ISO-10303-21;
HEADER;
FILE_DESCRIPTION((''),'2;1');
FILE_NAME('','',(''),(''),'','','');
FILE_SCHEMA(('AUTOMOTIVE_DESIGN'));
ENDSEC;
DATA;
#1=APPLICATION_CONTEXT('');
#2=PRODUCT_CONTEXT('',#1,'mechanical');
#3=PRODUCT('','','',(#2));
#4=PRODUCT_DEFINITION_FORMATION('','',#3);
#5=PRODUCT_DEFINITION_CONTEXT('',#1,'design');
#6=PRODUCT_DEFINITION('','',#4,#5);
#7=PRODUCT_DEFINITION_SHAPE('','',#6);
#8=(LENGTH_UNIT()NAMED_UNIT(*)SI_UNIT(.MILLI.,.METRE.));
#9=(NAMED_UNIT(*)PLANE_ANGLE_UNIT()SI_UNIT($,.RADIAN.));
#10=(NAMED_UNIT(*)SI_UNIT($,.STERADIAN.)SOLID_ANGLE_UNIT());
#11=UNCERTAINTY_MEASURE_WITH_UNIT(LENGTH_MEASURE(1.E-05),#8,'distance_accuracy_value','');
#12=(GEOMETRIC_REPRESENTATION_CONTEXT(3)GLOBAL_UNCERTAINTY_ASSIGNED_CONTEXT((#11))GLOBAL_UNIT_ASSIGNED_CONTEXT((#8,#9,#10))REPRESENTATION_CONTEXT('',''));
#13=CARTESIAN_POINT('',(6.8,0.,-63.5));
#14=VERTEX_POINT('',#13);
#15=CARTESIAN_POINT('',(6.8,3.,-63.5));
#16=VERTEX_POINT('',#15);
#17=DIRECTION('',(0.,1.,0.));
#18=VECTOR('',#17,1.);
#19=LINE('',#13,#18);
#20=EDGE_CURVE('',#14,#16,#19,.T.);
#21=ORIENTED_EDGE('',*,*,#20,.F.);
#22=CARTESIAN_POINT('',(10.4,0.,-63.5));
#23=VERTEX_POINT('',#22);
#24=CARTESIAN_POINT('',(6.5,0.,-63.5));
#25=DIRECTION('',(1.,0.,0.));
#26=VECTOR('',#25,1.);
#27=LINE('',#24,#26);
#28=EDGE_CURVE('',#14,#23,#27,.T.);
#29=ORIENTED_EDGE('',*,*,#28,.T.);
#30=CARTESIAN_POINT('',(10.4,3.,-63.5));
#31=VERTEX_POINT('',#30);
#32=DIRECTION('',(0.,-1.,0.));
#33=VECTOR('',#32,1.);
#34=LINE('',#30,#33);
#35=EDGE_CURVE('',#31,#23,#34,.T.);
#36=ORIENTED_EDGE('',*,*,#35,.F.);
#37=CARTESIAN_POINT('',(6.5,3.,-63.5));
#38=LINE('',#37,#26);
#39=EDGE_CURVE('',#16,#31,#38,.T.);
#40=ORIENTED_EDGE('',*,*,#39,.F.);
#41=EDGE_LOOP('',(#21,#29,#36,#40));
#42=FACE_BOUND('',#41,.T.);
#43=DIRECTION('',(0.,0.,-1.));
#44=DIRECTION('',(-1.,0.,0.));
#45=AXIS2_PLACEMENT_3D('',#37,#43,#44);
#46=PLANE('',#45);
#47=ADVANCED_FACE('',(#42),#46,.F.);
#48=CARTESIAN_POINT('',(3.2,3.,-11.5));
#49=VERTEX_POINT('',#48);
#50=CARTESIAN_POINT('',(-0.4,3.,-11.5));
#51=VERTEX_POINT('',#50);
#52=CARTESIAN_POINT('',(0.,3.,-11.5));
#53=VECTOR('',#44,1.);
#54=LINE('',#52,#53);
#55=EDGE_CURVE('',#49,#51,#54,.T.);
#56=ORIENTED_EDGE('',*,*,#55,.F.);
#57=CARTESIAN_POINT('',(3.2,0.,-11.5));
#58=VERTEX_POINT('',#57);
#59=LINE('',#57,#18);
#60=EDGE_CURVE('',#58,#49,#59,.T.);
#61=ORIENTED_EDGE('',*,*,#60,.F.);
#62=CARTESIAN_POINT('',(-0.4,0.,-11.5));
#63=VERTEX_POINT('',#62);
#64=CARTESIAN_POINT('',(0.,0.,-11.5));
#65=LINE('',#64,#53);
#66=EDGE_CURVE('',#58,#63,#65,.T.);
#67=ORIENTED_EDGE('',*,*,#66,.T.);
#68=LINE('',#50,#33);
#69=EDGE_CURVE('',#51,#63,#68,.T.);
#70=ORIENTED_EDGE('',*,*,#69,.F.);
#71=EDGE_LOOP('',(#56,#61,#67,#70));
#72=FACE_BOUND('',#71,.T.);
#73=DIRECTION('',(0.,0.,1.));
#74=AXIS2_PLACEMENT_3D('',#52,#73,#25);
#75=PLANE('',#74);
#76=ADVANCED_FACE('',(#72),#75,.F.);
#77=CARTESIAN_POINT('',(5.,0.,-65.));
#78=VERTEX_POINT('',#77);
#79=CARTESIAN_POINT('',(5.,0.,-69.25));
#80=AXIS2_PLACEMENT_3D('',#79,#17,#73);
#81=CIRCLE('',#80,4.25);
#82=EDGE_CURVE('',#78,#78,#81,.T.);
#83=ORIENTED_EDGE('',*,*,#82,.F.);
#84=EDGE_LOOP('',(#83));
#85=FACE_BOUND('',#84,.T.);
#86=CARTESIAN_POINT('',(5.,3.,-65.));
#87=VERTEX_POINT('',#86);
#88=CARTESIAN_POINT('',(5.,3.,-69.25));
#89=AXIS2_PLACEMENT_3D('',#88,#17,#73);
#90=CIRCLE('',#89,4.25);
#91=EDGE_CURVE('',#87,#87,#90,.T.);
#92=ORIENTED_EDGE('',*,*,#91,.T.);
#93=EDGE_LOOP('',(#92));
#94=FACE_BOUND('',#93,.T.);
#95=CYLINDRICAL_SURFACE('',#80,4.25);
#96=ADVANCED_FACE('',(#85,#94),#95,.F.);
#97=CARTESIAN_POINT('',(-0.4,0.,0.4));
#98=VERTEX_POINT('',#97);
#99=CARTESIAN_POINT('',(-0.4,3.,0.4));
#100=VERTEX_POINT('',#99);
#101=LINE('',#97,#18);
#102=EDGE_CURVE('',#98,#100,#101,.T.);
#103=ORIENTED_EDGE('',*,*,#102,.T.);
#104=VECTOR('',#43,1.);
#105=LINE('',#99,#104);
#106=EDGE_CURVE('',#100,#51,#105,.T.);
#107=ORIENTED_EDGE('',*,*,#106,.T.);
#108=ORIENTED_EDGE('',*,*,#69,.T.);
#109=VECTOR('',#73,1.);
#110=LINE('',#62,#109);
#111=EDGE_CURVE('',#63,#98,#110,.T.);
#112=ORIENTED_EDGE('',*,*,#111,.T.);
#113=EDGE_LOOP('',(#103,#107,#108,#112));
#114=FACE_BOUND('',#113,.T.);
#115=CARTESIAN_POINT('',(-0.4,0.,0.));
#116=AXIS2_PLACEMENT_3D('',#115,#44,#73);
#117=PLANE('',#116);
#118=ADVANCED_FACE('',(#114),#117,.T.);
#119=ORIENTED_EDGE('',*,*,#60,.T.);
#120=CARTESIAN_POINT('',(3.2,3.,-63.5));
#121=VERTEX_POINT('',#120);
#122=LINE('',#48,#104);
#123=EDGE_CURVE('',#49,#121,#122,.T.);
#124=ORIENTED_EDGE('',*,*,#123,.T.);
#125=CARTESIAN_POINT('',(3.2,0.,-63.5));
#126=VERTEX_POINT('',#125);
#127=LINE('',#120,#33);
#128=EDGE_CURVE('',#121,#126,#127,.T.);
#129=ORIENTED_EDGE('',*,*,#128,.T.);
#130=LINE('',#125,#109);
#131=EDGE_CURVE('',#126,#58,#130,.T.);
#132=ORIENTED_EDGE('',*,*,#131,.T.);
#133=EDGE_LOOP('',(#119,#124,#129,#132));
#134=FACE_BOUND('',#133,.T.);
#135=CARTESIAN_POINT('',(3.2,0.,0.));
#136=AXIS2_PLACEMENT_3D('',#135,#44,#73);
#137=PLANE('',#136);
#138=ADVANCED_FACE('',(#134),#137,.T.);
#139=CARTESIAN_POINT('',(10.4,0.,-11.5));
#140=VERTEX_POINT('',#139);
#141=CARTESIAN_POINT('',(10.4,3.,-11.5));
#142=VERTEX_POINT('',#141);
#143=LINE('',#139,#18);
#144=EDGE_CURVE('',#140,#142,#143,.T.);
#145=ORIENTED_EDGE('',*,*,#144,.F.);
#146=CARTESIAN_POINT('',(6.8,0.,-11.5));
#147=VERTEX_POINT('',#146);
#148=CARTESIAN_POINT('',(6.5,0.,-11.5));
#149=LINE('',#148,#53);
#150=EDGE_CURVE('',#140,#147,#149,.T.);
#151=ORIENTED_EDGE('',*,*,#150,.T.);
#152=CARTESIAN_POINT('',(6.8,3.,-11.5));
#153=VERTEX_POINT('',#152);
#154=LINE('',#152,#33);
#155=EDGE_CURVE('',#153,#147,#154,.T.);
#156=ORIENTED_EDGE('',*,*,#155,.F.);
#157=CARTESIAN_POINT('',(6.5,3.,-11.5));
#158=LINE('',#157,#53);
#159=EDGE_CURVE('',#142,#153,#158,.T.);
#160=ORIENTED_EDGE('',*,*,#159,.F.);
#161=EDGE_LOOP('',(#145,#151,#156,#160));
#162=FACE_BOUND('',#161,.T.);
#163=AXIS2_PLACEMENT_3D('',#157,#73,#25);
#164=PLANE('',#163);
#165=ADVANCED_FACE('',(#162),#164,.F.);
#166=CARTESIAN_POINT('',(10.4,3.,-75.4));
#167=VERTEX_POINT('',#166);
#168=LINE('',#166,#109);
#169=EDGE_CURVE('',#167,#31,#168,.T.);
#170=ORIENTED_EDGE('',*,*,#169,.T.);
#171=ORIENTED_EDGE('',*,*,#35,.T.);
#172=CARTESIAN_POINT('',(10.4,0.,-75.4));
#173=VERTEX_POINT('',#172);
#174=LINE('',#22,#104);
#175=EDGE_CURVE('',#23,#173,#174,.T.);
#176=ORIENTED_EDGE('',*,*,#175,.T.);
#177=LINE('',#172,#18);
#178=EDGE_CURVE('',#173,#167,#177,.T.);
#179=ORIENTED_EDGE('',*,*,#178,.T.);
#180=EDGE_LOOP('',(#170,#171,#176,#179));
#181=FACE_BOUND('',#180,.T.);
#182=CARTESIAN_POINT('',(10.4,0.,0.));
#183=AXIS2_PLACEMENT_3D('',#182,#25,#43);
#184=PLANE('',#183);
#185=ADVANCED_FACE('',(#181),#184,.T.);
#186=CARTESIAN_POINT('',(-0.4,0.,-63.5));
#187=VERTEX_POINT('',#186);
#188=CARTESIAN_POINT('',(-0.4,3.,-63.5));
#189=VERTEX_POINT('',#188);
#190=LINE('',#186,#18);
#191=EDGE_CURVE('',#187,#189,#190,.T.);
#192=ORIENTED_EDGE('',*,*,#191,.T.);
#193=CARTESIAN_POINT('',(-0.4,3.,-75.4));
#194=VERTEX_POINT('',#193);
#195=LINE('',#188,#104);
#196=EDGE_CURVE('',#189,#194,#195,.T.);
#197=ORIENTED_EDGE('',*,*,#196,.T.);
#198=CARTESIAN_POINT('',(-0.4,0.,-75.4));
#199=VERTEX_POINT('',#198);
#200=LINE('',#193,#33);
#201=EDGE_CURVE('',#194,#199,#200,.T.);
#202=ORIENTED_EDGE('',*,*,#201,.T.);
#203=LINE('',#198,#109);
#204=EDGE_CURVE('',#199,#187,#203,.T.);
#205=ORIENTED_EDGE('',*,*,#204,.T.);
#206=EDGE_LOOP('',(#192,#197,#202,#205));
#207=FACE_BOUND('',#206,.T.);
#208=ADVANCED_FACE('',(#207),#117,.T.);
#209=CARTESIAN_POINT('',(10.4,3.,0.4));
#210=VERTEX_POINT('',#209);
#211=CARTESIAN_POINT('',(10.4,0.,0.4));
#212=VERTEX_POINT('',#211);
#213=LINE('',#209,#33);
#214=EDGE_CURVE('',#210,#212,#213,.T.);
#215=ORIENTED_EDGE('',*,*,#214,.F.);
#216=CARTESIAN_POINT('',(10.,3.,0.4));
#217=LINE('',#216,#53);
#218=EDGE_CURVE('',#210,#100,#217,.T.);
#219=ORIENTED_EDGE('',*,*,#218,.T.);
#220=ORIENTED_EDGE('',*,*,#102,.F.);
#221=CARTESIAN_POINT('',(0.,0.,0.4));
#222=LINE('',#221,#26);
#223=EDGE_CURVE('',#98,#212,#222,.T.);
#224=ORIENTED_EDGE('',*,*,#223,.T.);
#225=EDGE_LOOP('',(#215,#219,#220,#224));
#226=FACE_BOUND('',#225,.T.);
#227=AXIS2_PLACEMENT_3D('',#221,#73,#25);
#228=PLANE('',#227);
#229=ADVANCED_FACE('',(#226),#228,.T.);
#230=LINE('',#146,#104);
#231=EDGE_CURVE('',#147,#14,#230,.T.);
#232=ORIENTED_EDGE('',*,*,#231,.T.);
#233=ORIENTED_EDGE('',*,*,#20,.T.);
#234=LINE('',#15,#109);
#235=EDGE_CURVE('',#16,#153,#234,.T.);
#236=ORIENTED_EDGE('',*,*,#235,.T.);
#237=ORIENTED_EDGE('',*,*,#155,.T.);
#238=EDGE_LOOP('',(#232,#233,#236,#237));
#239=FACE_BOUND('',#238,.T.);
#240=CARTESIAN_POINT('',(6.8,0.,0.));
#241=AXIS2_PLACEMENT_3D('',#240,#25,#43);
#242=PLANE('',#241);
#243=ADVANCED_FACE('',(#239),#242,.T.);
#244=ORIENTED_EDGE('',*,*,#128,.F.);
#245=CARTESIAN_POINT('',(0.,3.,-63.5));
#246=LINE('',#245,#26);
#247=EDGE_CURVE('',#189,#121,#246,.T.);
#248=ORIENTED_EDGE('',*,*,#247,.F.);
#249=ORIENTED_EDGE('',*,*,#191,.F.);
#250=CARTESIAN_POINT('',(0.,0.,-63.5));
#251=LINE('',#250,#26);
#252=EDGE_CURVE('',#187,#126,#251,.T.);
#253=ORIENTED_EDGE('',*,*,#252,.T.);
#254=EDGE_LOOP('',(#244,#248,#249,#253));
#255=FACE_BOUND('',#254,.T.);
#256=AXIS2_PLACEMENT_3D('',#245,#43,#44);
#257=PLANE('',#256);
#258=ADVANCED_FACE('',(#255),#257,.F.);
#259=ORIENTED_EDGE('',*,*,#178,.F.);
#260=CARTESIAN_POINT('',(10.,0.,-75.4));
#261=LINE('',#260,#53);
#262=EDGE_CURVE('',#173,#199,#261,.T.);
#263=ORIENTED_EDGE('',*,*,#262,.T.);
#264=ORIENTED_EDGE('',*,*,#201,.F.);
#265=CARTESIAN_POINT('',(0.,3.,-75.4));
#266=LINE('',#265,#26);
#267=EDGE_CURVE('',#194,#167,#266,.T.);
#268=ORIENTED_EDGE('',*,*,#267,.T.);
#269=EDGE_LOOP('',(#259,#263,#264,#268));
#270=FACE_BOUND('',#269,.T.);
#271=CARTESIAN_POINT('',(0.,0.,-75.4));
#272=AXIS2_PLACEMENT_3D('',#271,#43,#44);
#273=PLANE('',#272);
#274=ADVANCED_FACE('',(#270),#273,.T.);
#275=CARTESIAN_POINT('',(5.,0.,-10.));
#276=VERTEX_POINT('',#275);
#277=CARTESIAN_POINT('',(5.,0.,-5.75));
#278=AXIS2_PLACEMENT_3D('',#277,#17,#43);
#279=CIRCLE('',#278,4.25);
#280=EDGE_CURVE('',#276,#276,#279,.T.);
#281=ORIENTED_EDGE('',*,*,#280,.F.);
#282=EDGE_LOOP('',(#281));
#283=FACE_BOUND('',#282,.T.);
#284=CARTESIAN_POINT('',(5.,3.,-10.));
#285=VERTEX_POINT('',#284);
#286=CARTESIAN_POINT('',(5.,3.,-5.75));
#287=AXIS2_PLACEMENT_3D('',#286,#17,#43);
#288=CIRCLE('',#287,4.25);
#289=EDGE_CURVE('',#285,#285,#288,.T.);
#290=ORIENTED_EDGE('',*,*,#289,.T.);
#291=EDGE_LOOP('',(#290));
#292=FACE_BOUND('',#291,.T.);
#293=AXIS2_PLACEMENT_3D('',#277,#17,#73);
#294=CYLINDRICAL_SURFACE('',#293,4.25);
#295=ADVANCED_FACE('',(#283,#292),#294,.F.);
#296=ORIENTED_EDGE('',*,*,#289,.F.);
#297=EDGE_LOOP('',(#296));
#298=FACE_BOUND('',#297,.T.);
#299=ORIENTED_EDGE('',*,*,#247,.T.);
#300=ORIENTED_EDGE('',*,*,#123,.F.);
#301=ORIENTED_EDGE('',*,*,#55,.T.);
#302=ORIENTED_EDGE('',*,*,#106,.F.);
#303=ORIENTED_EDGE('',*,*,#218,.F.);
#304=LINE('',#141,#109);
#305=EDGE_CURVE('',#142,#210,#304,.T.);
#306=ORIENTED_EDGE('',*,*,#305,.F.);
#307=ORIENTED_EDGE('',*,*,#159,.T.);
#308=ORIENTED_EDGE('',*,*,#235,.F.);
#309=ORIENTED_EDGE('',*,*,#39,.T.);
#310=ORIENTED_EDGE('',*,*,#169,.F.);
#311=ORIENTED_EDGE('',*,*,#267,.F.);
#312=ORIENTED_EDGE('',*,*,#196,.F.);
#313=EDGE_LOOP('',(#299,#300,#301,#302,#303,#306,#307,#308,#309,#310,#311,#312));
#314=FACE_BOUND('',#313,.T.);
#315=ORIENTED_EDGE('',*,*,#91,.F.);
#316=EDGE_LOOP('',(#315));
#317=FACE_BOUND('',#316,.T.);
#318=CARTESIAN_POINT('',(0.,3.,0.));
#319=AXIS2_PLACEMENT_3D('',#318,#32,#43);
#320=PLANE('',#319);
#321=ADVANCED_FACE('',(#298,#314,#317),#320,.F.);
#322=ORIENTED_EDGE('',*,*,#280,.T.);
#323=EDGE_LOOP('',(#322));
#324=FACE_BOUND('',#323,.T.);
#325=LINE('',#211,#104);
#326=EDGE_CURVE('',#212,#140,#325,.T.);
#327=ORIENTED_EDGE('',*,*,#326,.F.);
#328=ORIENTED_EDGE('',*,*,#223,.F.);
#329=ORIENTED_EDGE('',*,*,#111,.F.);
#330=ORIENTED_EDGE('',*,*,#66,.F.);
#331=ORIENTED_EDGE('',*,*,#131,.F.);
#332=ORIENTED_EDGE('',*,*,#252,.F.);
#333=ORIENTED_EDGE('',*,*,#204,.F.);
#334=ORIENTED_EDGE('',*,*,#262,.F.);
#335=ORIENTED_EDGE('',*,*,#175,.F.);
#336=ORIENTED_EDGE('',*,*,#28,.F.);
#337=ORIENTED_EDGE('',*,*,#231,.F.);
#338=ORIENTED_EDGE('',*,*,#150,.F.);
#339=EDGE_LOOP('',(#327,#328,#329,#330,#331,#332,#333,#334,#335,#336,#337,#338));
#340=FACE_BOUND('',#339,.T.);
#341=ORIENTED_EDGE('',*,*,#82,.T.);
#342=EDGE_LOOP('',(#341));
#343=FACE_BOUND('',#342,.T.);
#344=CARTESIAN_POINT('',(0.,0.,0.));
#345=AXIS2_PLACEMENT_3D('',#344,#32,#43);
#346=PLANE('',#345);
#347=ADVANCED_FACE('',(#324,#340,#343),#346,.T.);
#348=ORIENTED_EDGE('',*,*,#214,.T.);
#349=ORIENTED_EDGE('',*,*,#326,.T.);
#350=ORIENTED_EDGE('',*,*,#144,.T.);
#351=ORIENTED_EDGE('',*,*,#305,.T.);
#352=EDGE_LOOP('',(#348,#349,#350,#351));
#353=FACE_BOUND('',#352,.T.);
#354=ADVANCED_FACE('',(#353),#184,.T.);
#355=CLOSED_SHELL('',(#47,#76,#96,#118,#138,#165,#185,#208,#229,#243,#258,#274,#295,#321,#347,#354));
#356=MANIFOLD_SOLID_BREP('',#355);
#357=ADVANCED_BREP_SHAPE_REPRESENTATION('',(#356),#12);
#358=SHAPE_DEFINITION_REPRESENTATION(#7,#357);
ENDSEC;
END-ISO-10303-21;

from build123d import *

# Parameters (mm, degrees)
BOSS_EXTRUDE1_DEPTH = 3
SKETCH2_R           = 4.25
CUT_EXTRUDE1_DEPTH  = 3
SKETCH3_W           = 10
SKETCH3_H           = 3
BOSS_EXTRUDE2_DEPTH = 0.4
SKETCH4_W           = 10
SKETCH4_H           = 3
BOSS_EXTRUDE3_DEPTH = 0.4
SKETCH5_W           = 11.9
SKETCH5_H           = 3
BOSS_EXTRUDE4_DEPTH = 0.4
SKETCH6_W           = 52
SKETCH6_H           = 3
BOSS_EXTRUDE5_DEPTH = 0.4
SKETCH7_W           = 11.9
SKETCH7_H           = 3
BOSS_EXTRUDE6_DEPTH = 0.4
SKETCH8_W           = 52
SKETCH8_H           = 3
BOSS_EXTRUDE7_DEPTH = 0.4
SKETCH9_W           = 52
SKETCH9_H           = 3
CUT_EXTRUDE2_DEPTH  = 0.1
SKETCH10_W          = 52
SKETCH10_H          = 3
CUT_EXTRUDE3_DEPTH  = 0.1


with BuildPart() as part:
    # Sketch1 → Boss-Extrude1 (new body)
    with BuildSketch(Plane(origin=(0, 0, 0), x_dir=(1, 0, 0), z_dir=(0, 1, 0))):
        Polygon((0, 11.5), (3.5, 11.5), (3.5, 63.5), (0, 63.5), (0, 75), (10, 75), (10, 63.5), (6.5, 63.5), (6.5, 11.5), (10, 11.5), (10, 0), (0, 0), align=None)
    extrude(amount=BOSS_EXTRUDE1_DEPTH)

    # Sketch2 → Cut-Extrude1 (cut)
    with BuildSketch(Plane(origin=(0, 3, 0), x_dir=(1, 0, 0), z_dir=(0, 1, 0))):
        with Locations(Location((5, 69.25, 0), (0, 0, 270))):
            Circle(SKETCH2_R)
        with Locations(Location((5, 5.75, 0), (0, 0, 90))):
            Circle(SKETCH2_R)
    extrude(amount=-CUT_EXTRUDE1_DEPTH, mode=Mode.SUBTRACT)

    # Sketch3 → Boss-Extrude2 (add)
    with BuildSketch(Plane.XY):
        with Locations((5, 1.5)):
            Rectangle(SKETCH3_W, SKETCH3_H)
    extrude(amount=BOSS_EXTRUDE2_DEPTH)

    # Sketch4 → Boss-Extrude3 (add)
    with BuildSketch(Plane(origin=(0, 0, -75), x_dir=(-1, 0, 0), z_dir=(0, 0, -1))):
        with Locations((-5, 1.5)):
            Rectangle(SKETCH4_W, SKETCH4_H)
    extrude(amount=BOSS_EXTRUDE3_DEPTH)

    # Sketch5 → Boss-Extrude4 (add)
    with BuildSketch(Plane(origin=(10, 0, 0), x_dir=(0, 0, -1), z_dir=(1, 0, 0))):
        with Locations((69.45, 1.5)):
            Rectangle(SKETCH5_W, SKETCH5_H)
        with Locations((5.55, 1.5)):
            Rectangle(SKETCH5_W, SKETCH5_H)
    extrude(amount=BOSS_EXTRUDE4_DEPTH)

    # Sketch6 → Boss-Extrude5 (add)
    with BuildSketch(Plane(origin=(6.5, 0, 0), x_dir=(0, 0, -1), z_dir=(1, 0, 0))):
        with Locations((37.5, 1.5)):
            Rectangle(SKETCH6_W, SKETCH6_H)
    extrude(amount=BOSS_EXTRUDE5_DEPTH)

    # Sketch7 → Boss-Extrude6 (add)
    with BuildSketch(Plane.ZY):
        with Locations((-5.55, 1.5)):
            Rectangle(SKETCH7_W, SKETCH7_H)
        with Locations((-69.45, 1.5)):
            Rectangle(SKETCH7_W, SKETCH7_H)
    extrude(amount=BOSS_EXTRUDE6_DEPTH)

    # Sketch8 → Boss-Extrude7 (add)
    with BuildSketch(Plane.ZY.offset(-3.5)):
        with Locations((-37.5, 1.5)):
            Rectangle(SKETCH8_W, SKETCH8_H)
    extrude(amount=BOSS_EXTRUDE7_DEPTH)

    # Sketch9 → Cut-Extrude2 (cut)
    with BuildSketch(Plane.ZY.offset(-3.1)):
        with Locations((-37.5, 1.5)):
            Rectangle(SKETCH9_W, SKETCH9_H)
    extrude(amount=-CUT_EXTRUDE2_DEPTH, mode=Mode.SUBTRACT)

    # Sketch10 → Cut-Extrude3 (cut)
    with BuildSketch(Plane(origin=(6.9, 0, 0), x_dir=(0, 0, -1), z_dir=(1, 0, 0))):
        with Locations((37.5, 1.5)):
            Rectangle(SKETCH10_W, SKETCH10_H)
    extrude(amount=-CUT_EXTRUDE3_DEPTH, mode=Mode.SUBTRACT)


solid = part.part
